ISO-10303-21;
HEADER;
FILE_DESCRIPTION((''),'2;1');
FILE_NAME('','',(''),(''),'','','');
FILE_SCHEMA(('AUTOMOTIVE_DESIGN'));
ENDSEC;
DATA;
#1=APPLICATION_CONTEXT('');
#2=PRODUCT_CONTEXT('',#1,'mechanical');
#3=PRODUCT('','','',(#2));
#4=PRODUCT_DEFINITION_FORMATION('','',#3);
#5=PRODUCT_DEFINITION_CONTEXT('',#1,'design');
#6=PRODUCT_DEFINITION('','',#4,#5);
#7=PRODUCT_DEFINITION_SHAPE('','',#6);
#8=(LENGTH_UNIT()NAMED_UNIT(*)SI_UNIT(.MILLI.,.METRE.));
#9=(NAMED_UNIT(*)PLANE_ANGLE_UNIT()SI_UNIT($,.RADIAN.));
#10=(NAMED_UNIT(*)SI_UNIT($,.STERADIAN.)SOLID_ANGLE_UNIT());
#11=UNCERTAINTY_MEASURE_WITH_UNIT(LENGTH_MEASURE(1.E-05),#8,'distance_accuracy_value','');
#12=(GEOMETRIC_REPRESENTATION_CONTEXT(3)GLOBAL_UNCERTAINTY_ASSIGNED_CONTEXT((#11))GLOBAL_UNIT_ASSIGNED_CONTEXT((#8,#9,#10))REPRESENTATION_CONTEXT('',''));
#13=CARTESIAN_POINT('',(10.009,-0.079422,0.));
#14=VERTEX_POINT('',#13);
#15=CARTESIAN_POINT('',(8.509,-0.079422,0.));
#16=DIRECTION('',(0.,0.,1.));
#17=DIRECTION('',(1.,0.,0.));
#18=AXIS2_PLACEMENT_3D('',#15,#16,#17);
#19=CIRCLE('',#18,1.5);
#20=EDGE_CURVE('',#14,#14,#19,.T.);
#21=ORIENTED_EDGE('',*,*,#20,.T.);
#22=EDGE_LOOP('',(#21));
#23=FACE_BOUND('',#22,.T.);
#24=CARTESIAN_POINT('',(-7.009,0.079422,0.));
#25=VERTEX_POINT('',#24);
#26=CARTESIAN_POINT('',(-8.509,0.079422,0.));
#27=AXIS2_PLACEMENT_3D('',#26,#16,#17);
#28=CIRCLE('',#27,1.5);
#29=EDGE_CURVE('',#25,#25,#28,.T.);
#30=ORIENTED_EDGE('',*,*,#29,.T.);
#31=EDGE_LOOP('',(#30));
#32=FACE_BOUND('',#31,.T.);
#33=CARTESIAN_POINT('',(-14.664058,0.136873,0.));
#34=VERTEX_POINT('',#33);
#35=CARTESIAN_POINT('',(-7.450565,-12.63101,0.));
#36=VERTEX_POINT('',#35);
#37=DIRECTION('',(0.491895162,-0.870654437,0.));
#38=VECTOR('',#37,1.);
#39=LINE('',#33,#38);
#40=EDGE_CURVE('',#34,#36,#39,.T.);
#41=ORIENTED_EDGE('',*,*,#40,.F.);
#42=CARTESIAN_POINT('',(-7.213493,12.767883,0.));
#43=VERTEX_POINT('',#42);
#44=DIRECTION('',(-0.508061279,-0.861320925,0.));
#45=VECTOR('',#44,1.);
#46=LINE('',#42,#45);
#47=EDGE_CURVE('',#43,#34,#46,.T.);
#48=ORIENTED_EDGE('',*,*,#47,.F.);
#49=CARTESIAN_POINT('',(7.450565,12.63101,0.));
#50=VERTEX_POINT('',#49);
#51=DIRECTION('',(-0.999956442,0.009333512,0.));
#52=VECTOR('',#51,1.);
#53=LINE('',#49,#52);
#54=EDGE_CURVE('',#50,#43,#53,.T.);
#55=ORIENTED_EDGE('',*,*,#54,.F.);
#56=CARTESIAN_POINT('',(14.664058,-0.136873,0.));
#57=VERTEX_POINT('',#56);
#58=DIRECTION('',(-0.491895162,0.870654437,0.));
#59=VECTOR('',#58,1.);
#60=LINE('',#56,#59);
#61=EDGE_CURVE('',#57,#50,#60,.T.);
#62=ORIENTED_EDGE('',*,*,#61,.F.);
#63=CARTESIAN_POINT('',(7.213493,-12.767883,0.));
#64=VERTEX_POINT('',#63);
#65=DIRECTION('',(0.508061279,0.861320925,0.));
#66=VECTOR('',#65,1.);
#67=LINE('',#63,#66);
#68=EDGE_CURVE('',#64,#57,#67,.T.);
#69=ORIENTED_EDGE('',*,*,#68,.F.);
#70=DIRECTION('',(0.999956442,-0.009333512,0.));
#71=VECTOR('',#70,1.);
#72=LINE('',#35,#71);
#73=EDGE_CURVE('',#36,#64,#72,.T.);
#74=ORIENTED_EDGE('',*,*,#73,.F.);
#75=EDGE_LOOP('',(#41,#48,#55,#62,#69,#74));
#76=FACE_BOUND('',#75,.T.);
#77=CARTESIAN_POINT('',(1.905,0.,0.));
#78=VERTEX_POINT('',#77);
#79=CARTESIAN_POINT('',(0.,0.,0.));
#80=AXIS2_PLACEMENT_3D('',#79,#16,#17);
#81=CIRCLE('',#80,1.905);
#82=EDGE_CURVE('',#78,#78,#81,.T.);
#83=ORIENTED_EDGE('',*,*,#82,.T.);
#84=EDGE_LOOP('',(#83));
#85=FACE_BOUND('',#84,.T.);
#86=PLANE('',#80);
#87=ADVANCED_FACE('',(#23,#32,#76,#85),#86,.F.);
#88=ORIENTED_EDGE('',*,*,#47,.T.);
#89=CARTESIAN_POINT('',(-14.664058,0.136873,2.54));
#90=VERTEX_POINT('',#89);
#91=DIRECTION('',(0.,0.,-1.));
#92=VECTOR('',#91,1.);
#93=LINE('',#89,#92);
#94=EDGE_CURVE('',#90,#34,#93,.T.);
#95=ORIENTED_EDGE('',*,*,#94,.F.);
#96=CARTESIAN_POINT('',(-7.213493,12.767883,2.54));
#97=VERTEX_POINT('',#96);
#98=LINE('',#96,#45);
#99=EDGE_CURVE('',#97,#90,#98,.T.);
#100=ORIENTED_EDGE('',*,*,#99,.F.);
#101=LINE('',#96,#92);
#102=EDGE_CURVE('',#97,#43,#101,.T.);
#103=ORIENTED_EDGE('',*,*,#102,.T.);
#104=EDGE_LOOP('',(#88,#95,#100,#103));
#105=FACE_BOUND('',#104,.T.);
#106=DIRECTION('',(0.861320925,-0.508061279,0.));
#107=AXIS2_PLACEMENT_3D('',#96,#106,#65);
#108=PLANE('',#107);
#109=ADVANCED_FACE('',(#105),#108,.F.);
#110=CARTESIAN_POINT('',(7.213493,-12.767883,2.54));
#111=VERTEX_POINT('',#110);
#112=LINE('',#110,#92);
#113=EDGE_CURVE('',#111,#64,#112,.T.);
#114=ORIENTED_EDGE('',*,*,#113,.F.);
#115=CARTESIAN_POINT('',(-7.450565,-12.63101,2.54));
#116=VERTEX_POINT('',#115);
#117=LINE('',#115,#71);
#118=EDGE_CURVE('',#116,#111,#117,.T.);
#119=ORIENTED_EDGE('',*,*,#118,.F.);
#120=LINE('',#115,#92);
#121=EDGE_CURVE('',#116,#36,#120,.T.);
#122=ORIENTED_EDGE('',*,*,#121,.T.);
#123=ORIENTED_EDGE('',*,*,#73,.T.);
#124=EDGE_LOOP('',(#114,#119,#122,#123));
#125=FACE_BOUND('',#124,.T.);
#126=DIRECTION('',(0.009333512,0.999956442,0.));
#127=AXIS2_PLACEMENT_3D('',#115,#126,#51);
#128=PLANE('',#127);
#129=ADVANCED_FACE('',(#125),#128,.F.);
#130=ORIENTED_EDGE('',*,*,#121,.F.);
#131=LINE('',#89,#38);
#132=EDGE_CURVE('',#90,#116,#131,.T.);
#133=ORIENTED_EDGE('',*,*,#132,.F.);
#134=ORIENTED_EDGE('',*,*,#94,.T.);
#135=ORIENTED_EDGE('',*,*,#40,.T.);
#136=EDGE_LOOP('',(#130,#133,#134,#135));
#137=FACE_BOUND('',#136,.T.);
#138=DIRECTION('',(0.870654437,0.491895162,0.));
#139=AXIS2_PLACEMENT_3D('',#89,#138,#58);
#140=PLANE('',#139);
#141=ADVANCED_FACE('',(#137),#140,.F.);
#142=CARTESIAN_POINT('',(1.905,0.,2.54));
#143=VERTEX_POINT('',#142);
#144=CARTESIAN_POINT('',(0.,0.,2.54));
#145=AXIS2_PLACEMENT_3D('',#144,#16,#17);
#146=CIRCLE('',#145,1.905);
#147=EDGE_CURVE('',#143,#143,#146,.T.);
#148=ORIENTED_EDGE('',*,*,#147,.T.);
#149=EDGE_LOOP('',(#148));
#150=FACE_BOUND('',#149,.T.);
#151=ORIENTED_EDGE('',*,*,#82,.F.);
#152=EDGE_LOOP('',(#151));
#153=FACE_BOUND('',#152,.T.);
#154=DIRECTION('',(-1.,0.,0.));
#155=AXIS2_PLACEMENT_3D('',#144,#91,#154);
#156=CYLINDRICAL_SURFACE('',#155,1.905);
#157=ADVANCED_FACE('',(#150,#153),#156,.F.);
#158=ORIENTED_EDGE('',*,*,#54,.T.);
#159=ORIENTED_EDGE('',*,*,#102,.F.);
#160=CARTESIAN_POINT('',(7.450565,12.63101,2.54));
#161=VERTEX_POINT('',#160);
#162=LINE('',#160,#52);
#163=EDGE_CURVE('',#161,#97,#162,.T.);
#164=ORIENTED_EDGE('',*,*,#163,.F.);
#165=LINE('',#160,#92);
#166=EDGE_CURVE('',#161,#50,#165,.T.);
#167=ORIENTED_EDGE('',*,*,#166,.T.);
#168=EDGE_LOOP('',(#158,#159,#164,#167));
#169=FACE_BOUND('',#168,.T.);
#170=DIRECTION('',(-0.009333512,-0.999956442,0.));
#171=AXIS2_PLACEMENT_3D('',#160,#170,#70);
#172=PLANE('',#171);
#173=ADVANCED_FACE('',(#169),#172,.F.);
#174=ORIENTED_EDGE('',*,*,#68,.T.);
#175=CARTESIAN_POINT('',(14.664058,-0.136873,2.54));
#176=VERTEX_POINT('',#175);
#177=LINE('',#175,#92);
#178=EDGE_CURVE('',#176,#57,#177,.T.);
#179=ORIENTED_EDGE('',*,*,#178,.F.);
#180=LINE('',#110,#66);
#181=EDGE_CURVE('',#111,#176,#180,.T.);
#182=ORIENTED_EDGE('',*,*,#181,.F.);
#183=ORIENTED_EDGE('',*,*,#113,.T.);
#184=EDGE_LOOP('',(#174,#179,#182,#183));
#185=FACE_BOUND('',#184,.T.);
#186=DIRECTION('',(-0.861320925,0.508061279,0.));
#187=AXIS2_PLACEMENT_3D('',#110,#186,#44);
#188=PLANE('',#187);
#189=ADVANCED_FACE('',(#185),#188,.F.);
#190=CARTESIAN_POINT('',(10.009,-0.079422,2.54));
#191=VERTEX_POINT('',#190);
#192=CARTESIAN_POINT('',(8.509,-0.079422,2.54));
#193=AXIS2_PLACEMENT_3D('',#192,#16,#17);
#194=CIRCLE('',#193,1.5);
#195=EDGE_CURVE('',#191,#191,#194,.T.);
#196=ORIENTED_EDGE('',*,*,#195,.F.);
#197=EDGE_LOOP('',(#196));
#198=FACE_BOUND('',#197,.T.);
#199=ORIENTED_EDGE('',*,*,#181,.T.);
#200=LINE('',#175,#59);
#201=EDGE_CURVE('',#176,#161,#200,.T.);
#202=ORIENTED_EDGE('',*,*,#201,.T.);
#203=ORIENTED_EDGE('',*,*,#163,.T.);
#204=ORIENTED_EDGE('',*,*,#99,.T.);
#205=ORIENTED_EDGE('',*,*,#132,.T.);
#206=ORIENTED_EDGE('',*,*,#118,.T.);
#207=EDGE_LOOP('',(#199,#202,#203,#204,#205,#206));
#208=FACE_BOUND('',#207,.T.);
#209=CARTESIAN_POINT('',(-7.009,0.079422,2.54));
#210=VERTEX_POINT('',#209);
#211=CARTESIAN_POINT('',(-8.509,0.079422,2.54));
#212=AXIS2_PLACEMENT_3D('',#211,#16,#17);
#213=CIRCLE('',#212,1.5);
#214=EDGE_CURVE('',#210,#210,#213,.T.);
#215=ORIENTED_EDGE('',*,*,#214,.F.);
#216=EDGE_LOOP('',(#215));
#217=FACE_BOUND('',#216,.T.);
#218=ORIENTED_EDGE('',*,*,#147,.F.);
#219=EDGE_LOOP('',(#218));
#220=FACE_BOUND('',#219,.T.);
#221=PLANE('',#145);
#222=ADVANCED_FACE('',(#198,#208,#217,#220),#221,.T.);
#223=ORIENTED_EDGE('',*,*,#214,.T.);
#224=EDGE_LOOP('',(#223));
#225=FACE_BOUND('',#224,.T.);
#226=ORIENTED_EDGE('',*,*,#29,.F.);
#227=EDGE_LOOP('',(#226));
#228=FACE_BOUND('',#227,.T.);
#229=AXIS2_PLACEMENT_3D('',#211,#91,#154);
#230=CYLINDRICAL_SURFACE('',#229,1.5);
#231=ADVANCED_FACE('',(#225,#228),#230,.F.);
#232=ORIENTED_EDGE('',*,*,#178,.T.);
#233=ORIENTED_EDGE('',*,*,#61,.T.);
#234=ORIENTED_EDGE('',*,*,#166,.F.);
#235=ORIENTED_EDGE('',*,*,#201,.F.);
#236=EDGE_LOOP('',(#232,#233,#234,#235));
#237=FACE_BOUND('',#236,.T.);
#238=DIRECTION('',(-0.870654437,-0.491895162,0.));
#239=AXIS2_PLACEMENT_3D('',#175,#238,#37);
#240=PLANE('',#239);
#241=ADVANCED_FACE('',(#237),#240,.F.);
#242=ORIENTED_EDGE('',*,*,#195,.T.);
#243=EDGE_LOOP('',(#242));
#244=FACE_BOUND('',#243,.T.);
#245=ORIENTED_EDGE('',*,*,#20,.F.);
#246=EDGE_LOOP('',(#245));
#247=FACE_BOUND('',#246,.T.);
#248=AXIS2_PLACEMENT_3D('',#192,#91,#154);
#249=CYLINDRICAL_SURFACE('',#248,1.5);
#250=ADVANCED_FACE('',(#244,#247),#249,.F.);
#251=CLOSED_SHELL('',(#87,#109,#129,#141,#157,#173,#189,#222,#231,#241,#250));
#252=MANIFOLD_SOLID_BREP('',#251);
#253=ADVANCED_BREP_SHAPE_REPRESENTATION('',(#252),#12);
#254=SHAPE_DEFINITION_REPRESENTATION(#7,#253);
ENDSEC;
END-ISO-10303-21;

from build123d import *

# Parameters (mm, degrees)
SKETCH1_R           = 1.5
SKETCH1_R_2         = 1.905
BOSS_EXTRUDE1_DEPTH = 2.54


with BuildPart() as part:
    # Sketch1 → Boss-Extrude1 (new body)
    with BuildSketch(Plane.XY):
        Polygon((-7.213493432, 12.767883374), (-14.66405807, 0.136873125), (-7.450564639, -12.631010249), (7.213493432, -12.767883374), (14.66405807, -0.136873125), (7.450564639, 12.631010249), align=None)
        with Locations((-8.509, 0.079422314)):
            Circle(SKETCH1_R, mode=Mode.SUBTRACT)
        with Locations((8.509, -0.079422314)):
            Circle(SKETCH1_R, mode=Mode.SUBTRACT)
        Circle(SKETCH1_R_2, mode=Mode.SUBTRACT)
    extrude(amount=BOSS_EXTRUDE1_DEPTH)


solid = part.part
